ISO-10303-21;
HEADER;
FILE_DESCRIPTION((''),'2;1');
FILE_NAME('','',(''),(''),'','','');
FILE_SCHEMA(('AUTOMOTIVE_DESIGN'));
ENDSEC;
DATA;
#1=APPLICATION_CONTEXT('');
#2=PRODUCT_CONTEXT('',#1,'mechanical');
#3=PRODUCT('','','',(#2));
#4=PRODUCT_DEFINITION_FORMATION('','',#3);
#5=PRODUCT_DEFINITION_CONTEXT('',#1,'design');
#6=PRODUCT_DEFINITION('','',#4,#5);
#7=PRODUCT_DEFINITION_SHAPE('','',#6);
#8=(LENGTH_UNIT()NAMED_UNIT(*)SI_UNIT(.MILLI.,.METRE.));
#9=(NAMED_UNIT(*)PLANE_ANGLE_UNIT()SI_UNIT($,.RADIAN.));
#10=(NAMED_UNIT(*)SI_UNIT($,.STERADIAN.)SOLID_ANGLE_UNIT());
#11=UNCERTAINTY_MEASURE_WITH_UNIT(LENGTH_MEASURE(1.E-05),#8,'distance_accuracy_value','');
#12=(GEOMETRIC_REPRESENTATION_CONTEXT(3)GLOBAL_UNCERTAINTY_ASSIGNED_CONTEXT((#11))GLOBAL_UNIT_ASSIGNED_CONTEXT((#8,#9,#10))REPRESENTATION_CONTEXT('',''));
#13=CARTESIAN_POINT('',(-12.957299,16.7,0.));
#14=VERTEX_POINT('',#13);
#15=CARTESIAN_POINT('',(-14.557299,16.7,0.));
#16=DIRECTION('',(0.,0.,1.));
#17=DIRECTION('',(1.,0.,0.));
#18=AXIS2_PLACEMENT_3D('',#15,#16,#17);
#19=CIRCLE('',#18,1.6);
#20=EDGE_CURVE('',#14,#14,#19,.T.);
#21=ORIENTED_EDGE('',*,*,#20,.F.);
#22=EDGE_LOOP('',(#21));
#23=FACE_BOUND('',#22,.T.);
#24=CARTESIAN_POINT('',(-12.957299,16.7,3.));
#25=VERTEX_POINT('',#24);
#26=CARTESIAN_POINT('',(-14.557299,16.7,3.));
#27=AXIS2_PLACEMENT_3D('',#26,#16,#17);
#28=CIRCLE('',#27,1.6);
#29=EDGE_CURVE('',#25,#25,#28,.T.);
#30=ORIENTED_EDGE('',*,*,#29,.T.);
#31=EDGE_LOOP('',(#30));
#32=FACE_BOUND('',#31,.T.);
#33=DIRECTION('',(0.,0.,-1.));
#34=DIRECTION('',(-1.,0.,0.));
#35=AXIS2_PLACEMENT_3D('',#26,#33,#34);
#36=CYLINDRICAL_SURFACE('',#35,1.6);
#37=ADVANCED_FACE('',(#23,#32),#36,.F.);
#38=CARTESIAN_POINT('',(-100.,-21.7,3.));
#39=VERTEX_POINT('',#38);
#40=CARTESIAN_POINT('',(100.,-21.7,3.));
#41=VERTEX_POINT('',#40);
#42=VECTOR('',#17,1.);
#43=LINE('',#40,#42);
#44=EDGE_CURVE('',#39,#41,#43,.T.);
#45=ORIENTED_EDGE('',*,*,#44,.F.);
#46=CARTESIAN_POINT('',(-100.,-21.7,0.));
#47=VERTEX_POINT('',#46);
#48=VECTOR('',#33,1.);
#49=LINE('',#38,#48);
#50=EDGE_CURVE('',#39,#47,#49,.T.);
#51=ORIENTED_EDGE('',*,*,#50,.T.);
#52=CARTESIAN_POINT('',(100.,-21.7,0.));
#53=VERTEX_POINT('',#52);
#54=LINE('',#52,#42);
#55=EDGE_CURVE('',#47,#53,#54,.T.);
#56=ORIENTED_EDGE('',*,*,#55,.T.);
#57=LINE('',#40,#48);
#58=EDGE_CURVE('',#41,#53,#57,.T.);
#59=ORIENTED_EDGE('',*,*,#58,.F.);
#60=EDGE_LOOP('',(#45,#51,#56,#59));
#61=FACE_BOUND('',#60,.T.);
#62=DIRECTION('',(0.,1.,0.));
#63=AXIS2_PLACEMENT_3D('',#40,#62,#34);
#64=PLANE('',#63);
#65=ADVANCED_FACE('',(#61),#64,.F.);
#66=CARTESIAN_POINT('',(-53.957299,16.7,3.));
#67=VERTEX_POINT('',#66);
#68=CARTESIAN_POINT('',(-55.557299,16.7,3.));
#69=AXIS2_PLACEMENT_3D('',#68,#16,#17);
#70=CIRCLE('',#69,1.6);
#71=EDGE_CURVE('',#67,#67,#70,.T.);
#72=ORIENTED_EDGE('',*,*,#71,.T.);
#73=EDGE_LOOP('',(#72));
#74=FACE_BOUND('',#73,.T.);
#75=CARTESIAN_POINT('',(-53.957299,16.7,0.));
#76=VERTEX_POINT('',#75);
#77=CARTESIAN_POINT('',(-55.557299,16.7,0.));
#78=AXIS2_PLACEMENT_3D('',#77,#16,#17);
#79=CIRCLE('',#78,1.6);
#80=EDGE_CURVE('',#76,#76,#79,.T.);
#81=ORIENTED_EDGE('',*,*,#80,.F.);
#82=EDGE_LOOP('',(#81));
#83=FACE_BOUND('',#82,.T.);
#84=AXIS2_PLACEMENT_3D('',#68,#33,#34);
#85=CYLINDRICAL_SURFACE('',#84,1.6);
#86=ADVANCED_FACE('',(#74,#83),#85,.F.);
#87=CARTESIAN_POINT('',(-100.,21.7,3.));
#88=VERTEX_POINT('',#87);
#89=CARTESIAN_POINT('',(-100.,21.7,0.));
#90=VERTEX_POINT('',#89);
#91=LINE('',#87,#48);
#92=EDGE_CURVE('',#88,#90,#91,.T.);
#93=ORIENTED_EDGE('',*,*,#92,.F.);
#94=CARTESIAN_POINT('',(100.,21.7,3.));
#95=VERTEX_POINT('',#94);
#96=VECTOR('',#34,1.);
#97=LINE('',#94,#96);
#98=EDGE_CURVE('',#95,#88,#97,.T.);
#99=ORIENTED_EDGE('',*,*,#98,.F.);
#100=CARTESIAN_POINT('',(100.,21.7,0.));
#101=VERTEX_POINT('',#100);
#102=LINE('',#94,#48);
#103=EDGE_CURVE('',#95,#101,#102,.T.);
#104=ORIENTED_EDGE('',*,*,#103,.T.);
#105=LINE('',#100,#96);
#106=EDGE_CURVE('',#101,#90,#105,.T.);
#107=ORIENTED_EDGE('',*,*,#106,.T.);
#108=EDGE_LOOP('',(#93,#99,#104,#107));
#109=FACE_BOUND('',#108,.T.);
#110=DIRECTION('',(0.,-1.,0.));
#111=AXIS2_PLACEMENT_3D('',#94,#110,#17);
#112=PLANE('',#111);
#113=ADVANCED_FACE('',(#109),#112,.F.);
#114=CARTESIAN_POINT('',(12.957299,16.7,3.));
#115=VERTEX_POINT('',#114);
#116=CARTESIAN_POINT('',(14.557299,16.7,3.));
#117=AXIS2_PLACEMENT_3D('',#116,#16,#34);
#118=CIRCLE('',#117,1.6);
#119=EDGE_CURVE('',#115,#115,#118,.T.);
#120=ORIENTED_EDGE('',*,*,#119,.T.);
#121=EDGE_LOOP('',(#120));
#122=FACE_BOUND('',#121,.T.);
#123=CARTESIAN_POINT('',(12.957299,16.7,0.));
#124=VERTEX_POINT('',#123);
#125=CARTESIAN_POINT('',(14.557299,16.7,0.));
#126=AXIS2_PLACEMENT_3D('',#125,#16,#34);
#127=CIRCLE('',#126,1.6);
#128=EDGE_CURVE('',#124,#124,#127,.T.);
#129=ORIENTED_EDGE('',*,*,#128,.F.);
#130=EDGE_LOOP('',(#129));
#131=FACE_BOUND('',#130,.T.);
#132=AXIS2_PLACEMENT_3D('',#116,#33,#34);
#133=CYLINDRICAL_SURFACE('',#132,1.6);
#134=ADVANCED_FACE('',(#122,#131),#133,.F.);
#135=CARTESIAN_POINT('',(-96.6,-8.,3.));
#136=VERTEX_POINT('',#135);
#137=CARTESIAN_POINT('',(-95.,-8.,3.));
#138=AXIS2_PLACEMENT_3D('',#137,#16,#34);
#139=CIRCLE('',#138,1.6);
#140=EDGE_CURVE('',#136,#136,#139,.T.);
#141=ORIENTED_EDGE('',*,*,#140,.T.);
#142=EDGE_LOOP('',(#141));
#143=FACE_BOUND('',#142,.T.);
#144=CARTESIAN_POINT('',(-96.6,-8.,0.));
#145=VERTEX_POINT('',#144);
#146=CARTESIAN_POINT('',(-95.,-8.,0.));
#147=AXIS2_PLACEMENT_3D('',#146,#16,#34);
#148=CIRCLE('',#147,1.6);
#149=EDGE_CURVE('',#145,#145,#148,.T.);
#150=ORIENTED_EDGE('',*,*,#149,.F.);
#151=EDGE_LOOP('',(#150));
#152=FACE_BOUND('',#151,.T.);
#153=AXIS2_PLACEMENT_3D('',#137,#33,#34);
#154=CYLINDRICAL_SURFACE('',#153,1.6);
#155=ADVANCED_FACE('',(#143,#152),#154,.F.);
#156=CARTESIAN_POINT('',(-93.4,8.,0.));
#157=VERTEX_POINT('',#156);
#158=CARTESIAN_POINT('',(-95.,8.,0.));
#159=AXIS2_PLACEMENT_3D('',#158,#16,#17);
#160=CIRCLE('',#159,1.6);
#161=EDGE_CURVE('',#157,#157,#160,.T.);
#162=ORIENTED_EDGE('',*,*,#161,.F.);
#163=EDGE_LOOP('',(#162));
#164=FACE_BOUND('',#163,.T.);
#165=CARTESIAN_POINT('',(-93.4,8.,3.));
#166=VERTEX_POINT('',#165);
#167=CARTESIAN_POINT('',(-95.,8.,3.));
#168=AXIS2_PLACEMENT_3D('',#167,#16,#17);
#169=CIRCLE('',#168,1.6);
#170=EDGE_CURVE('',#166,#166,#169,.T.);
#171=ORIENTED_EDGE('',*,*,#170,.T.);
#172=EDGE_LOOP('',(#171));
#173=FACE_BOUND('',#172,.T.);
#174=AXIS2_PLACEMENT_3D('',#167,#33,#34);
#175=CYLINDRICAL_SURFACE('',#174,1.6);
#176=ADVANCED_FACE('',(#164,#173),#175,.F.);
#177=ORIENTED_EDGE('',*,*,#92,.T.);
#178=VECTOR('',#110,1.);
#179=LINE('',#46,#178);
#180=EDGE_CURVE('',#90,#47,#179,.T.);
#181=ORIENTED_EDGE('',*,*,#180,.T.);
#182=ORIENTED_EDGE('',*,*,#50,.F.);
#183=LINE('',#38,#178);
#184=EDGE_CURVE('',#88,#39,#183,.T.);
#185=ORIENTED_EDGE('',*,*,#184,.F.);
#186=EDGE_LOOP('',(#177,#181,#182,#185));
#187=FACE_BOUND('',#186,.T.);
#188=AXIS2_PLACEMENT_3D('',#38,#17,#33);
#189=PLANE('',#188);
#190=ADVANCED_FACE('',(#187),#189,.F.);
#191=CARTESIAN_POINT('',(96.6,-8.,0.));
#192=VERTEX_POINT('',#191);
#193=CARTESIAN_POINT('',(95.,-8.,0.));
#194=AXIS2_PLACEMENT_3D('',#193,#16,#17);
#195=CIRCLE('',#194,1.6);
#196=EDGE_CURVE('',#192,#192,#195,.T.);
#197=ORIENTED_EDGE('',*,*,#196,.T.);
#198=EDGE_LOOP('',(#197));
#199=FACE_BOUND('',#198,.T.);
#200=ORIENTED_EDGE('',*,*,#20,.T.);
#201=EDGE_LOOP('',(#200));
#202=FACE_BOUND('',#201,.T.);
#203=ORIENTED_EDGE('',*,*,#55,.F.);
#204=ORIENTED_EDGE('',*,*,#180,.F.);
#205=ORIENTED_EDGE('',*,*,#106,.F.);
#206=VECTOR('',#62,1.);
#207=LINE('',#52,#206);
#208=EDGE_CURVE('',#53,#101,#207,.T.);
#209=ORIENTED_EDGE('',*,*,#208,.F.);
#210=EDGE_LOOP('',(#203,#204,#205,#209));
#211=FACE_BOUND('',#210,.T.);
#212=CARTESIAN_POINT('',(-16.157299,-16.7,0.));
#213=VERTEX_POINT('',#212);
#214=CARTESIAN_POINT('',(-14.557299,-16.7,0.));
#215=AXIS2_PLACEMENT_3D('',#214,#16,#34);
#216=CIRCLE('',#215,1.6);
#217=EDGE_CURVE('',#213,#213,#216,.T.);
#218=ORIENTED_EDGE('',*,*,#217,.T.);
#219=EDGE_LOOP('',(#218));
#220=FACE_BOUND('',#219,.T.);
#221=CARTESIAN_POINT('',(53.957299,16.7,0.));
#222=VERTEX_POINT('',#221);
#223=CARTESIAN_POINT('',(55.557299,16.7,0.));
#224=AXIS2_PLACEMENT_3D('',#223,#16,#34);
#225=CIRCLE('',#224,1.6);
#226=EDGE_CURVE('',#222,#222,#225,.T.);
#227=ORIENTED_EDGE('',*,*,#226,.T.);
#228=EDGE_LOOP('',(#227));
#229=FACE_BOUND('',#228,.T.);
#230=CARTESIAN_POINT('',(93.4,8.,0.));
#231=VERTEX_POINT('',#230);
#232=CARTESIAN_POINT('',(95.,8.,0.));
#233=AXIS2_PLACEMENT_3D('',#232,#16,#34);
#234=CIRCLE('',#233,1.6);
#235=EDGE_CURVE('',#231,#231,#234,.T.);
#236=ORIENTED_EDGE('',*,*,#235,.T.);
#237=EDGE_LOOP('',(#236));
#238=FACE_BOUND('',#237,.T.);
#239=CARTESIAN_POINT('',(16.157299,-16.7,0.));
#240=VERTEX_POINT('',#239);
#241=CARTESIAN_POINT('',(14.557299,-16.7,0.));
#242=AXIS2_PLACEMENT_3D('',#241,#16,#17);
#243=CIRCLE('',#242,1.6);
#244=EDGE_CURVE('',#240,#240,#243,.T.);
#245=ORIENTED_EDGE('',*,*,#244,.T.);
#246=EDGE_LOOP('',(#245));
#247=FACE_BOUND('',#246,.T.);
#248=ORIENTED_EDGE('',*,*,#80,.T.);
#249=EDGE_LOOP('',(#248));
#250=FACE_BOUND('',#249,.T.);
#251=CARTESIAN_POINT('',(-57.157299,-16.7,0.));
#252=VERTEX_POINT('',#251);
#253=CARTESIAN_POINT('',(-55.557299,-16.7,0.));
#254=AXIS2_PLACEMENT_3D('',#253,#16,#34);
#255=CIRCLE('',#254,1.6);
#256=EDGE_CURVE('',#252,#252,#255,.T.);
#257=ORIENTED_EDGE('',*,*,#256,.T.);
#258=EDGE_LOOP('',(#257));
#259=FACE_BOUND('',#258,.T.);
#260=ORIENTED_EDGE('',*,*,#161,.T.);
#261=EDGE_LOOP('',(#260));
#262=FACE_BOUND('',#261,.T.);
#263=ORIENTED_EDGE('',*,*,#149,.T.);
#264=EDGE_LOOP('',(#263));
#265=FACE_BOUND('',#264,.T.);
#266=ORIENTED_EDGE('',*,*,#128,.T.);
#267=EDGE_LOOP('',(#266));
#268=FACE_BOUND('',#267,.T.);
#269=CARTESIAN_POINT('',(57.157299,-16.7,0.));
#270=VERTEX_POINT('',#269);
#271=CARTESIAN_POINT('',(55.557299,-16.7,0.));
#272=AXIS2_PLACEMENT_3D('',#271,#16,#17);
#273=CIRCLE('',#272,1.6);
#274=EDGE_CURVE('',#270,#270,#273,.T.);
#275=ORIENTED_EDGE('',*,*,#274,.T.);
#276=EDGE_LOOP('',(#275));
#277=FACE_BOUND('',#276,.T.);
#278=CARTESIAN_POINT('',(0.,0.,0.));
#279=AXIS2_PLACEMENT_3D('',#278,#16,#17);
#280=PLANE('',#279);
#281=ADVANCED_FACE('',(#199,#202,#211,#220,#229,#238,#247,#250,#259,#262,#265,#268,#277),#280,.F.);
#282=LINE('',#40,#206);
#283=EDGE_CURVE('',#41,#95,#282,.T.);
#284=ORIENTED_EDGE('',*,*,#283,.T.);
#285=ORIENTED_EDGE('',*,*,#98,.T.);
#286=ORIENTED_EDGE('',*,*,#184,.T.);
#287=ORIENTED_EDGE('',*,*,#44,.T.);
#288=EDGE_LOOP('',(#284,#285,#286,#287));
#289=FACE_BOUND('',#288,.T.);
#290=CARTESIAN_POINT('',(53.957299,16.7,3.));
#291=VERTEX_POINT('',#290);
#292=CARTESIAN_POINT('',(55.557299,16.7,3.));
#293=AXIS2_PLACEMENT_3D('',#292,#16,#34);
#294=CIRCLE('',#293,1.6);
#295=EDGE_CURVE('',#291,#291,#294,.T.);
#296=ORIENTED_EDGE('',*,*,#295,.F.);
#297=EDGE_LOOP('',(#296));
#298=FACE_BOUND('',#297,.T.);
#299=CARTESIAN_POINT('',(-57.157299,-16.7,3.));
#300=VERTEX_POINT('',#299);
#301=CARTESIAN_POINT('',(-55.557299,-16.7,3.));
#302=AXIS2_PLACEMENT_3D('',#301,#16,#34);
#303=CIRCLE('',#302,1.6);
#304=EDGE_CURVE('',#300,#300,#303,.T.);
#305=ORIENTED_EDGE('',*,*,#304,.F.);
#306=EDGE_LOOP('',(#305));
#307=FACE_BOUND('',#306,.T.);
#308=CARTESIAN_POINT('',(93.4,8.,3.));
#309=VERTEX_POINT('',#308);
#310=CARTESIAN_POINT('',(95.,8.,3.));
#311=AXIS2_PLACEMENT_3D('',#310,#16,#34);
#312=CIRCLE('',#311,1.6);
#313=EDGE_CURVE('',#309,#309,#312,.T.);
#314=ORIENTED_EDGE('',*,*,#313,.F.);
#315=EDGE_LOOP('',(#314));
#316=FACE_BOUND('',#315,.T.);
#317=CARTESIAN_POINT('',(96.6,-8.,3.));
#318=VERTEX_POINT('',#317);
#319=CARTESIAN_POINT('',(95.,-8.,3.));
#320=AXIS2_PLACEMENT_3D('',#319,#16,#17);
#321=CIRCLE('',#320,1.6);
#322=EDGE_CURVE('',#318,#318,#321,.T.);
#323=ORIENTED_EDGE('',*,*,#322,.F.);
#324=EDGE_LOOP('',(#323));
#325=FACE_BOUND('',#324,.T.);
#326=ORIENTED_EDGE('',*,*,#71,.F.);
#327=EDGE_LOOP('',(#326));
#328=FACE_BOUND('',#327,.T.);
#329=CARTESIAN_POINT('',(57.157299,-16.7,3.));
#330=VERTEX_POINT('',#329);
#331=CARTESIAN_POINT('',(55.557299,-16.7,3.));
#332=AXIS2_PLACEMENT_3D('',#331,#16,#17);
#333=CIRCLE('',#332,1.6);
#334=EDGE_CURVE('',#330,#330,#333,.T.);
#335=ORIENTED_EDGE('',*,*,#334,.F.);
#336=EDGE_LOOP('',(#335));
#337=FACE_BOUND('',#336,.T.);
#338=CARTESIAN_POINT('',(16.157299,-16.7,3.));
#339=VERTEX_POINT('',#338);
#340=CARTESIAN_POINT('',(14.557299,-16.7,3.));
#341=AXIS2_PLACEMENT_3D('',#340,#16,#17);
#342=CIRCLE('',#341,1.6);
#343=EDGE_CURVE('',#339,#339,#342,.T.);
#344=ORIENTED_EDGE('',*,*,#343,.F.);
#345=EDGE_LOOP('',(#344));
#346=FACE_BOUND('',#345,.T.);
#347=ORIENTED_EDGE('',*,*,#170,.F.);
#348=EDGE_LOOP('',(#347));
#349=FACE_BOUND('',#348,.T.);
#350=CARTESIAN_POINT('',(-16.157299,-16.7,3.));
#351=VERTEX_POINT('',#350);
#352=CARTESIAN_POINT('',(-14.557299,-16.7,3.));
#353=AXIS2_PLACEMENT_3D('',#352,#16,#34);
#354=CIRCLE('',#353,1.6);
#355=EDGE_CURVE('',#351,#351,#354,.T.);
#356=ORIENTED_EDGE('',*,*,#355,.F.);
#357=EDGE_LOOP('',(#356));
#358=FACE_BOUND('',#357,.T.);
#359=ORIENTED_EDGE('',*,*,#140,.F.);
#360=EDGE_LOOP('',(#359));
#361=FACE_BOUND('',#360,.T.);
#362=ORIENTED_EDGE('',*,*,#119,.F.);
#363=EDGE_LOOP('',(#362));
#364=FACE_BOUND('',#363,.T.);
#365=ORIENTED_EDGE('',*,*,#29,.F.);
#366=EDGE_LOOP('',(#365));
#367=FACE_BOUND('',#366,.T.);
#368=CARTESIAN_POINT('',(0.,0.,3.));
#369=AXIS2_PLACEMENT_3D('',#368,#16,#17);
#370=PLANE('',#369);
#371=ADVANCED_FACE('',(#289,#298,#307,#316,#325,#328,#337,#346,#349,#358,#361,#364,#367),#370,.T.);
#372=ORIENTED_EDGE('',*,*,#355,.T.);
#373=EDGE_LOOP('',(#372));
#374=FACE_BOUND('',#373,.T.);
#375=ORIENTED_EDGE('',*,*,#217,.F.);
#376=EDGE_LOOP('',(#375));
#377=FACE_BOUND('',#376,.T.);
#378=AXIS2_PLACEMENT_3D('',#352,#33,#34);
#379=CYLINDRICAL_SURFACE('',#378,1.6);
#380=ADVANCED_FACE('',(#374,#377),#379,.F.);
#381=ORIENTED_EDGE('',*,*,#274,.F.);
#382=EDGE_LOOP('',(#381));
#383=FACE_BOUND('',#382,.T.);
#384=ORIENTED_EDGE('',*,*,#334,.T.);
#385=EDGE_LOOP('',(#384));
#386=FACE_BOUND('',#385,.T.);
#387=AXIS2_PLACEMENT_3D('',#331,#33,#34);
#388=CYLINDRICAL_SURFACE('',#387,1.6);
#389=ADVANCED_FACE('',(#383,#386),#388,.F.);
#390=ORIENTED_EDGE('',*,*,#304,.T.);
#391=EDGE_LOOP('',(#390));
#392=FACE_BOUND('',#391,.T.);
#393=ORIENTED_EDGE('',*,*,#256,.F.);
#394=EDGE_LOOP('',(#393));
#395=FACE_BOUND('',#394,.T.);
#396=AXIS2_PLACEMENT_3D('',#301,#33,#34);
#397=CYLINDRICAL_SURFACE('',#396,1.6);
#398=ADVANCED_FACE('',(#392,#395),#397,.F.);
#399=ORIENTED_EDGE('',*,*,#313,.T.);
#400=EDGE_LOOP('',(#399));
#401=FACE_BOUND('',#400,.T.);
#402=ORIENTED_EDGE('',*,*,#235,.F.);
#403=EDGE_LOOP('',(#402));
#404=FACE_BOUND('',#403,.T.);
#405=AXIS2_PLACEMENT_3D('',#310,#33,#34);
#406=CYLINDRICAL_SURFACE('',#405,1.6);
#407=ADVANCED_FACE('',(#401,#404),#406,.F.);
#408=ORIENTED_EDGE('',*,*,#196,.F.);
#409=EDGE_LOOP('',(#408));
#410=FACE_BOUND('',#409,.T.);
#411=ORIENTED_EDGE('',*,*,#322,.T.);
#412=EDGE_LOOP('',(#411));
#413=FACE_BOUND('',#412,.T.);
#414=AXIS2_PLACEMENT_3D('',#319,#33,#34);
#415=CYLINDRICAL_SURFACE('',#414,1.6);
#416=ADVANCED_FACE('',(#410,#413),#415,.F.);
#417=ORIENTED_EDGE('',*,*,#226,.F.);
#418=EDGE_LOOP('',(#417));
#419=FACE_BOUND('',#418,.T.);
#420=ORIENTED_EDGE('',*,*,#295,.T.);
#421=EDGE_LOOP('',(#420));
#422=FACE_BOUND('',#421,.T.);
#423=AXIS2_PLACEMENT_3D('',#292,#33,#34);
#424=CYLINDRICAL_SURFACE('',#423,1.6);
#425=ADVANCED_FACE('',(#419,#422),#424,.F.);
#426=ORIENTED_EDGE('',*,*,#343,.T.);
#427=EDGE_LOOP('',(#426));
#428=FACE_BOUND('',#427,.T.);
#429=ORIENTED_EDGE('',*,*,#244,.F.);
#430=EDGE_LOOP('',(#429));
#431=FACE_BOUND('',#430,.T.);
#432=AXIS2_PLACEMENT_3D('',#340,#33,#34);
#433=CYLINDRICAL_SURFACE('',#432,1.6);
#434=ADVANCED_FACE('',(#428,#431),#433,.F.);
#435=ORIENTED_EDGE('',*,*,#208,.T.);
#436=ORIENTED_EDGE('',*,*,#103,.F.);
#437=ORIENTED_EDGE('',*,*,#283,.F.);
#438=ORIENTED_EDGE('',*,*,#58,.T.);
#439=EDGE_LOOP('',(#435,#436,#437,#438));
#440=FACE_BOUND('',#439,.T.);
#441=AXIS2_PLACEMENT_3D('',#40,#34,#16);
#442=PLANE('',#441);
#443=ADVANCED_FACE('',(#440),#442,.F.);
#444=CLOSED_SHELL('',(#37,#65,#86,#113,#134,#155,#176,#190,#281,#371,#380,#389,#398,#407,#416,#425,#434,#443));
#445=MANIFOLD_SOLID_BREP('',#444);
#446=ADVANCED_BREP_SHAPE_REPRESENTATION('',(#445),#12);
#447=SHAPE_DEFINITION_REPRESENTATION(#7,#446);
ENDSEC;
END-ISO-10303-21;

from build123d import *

# Parameters (mm, degrees)
SKETCH_1_W      = 200
SKETCH_1_H      = 43.4
SKETCH_1_R      = 1.6
EXTRUDE_1_DEPTH = 3


with BuildPart() as part:
    # ｽｹｯﾁ1 → ﾎﾞｽ - 押し出し1 (new body)
    with BuildSketch(Plane.XY):
        Rectangle(SKETCH_1_W, SKETCH_1_H)
        with Locations((-14.557299255, 16.7)):
            Circle(SKETCH_1_R, mode=Mode.SUBTRACT)
        with Locations((-55.557299255, 16.7)):
            Circle(SKETCH_1_R, mode=Mode.SUBTRACT)
        with Locations(Location((14.557299255, 16.7, 0), (0, 0, 180))):
            Circle(SKETCH_1_R, mode=Mode.SUBTRACT)
        with Locations(Location((55.557299255, 16.7, 0), (0, 0, 180))):
            Circle(SKETCH_1_R, mode=Mode.SUBTRACT)
        with Locations((55.557299255, -16.7)):
            Circle(SKETCH_1_R, mode=Mode.SUBTRACT)
        with Locations((14.557299255, -16.7)):
            Circle(SKETCH_1_R, mode=Mode.SUBTRACT)
        with Locations(Location((-55.557299255, -16.7, 0), (0, 0, 180))):
            Circle(SKETCH_1_R, mode=Mode.SUBTRACT)
        with Locations(Location((-14.557299255, -16.7, 0), (0, 0, 180))):
            Circle(SKETCH_1_R, mode=Mode.SUBTRACT)
        with Locations((-95, 8)):
            Circle(SKETCH_1_R, mode=Mode.SUBTRACT)
        with Locations(Location((-95, -8, 0), (0, 0, 180))):
            Circle(SKETCH_1_R, mode=Mode.SUBTRACT)
        with Locations((95, -8)):
            Circle(SKETCH_1_R, mode=Mode.SUBTRACT)
        with Locations(Location((95, 8, 0), (0, 0, 180))):
            Circle(SKETCH_1_R, mode=Mode.SUBTRACT)
    extrude(amount=EXTRUDE_1_DEPTH)


solid = part.part
